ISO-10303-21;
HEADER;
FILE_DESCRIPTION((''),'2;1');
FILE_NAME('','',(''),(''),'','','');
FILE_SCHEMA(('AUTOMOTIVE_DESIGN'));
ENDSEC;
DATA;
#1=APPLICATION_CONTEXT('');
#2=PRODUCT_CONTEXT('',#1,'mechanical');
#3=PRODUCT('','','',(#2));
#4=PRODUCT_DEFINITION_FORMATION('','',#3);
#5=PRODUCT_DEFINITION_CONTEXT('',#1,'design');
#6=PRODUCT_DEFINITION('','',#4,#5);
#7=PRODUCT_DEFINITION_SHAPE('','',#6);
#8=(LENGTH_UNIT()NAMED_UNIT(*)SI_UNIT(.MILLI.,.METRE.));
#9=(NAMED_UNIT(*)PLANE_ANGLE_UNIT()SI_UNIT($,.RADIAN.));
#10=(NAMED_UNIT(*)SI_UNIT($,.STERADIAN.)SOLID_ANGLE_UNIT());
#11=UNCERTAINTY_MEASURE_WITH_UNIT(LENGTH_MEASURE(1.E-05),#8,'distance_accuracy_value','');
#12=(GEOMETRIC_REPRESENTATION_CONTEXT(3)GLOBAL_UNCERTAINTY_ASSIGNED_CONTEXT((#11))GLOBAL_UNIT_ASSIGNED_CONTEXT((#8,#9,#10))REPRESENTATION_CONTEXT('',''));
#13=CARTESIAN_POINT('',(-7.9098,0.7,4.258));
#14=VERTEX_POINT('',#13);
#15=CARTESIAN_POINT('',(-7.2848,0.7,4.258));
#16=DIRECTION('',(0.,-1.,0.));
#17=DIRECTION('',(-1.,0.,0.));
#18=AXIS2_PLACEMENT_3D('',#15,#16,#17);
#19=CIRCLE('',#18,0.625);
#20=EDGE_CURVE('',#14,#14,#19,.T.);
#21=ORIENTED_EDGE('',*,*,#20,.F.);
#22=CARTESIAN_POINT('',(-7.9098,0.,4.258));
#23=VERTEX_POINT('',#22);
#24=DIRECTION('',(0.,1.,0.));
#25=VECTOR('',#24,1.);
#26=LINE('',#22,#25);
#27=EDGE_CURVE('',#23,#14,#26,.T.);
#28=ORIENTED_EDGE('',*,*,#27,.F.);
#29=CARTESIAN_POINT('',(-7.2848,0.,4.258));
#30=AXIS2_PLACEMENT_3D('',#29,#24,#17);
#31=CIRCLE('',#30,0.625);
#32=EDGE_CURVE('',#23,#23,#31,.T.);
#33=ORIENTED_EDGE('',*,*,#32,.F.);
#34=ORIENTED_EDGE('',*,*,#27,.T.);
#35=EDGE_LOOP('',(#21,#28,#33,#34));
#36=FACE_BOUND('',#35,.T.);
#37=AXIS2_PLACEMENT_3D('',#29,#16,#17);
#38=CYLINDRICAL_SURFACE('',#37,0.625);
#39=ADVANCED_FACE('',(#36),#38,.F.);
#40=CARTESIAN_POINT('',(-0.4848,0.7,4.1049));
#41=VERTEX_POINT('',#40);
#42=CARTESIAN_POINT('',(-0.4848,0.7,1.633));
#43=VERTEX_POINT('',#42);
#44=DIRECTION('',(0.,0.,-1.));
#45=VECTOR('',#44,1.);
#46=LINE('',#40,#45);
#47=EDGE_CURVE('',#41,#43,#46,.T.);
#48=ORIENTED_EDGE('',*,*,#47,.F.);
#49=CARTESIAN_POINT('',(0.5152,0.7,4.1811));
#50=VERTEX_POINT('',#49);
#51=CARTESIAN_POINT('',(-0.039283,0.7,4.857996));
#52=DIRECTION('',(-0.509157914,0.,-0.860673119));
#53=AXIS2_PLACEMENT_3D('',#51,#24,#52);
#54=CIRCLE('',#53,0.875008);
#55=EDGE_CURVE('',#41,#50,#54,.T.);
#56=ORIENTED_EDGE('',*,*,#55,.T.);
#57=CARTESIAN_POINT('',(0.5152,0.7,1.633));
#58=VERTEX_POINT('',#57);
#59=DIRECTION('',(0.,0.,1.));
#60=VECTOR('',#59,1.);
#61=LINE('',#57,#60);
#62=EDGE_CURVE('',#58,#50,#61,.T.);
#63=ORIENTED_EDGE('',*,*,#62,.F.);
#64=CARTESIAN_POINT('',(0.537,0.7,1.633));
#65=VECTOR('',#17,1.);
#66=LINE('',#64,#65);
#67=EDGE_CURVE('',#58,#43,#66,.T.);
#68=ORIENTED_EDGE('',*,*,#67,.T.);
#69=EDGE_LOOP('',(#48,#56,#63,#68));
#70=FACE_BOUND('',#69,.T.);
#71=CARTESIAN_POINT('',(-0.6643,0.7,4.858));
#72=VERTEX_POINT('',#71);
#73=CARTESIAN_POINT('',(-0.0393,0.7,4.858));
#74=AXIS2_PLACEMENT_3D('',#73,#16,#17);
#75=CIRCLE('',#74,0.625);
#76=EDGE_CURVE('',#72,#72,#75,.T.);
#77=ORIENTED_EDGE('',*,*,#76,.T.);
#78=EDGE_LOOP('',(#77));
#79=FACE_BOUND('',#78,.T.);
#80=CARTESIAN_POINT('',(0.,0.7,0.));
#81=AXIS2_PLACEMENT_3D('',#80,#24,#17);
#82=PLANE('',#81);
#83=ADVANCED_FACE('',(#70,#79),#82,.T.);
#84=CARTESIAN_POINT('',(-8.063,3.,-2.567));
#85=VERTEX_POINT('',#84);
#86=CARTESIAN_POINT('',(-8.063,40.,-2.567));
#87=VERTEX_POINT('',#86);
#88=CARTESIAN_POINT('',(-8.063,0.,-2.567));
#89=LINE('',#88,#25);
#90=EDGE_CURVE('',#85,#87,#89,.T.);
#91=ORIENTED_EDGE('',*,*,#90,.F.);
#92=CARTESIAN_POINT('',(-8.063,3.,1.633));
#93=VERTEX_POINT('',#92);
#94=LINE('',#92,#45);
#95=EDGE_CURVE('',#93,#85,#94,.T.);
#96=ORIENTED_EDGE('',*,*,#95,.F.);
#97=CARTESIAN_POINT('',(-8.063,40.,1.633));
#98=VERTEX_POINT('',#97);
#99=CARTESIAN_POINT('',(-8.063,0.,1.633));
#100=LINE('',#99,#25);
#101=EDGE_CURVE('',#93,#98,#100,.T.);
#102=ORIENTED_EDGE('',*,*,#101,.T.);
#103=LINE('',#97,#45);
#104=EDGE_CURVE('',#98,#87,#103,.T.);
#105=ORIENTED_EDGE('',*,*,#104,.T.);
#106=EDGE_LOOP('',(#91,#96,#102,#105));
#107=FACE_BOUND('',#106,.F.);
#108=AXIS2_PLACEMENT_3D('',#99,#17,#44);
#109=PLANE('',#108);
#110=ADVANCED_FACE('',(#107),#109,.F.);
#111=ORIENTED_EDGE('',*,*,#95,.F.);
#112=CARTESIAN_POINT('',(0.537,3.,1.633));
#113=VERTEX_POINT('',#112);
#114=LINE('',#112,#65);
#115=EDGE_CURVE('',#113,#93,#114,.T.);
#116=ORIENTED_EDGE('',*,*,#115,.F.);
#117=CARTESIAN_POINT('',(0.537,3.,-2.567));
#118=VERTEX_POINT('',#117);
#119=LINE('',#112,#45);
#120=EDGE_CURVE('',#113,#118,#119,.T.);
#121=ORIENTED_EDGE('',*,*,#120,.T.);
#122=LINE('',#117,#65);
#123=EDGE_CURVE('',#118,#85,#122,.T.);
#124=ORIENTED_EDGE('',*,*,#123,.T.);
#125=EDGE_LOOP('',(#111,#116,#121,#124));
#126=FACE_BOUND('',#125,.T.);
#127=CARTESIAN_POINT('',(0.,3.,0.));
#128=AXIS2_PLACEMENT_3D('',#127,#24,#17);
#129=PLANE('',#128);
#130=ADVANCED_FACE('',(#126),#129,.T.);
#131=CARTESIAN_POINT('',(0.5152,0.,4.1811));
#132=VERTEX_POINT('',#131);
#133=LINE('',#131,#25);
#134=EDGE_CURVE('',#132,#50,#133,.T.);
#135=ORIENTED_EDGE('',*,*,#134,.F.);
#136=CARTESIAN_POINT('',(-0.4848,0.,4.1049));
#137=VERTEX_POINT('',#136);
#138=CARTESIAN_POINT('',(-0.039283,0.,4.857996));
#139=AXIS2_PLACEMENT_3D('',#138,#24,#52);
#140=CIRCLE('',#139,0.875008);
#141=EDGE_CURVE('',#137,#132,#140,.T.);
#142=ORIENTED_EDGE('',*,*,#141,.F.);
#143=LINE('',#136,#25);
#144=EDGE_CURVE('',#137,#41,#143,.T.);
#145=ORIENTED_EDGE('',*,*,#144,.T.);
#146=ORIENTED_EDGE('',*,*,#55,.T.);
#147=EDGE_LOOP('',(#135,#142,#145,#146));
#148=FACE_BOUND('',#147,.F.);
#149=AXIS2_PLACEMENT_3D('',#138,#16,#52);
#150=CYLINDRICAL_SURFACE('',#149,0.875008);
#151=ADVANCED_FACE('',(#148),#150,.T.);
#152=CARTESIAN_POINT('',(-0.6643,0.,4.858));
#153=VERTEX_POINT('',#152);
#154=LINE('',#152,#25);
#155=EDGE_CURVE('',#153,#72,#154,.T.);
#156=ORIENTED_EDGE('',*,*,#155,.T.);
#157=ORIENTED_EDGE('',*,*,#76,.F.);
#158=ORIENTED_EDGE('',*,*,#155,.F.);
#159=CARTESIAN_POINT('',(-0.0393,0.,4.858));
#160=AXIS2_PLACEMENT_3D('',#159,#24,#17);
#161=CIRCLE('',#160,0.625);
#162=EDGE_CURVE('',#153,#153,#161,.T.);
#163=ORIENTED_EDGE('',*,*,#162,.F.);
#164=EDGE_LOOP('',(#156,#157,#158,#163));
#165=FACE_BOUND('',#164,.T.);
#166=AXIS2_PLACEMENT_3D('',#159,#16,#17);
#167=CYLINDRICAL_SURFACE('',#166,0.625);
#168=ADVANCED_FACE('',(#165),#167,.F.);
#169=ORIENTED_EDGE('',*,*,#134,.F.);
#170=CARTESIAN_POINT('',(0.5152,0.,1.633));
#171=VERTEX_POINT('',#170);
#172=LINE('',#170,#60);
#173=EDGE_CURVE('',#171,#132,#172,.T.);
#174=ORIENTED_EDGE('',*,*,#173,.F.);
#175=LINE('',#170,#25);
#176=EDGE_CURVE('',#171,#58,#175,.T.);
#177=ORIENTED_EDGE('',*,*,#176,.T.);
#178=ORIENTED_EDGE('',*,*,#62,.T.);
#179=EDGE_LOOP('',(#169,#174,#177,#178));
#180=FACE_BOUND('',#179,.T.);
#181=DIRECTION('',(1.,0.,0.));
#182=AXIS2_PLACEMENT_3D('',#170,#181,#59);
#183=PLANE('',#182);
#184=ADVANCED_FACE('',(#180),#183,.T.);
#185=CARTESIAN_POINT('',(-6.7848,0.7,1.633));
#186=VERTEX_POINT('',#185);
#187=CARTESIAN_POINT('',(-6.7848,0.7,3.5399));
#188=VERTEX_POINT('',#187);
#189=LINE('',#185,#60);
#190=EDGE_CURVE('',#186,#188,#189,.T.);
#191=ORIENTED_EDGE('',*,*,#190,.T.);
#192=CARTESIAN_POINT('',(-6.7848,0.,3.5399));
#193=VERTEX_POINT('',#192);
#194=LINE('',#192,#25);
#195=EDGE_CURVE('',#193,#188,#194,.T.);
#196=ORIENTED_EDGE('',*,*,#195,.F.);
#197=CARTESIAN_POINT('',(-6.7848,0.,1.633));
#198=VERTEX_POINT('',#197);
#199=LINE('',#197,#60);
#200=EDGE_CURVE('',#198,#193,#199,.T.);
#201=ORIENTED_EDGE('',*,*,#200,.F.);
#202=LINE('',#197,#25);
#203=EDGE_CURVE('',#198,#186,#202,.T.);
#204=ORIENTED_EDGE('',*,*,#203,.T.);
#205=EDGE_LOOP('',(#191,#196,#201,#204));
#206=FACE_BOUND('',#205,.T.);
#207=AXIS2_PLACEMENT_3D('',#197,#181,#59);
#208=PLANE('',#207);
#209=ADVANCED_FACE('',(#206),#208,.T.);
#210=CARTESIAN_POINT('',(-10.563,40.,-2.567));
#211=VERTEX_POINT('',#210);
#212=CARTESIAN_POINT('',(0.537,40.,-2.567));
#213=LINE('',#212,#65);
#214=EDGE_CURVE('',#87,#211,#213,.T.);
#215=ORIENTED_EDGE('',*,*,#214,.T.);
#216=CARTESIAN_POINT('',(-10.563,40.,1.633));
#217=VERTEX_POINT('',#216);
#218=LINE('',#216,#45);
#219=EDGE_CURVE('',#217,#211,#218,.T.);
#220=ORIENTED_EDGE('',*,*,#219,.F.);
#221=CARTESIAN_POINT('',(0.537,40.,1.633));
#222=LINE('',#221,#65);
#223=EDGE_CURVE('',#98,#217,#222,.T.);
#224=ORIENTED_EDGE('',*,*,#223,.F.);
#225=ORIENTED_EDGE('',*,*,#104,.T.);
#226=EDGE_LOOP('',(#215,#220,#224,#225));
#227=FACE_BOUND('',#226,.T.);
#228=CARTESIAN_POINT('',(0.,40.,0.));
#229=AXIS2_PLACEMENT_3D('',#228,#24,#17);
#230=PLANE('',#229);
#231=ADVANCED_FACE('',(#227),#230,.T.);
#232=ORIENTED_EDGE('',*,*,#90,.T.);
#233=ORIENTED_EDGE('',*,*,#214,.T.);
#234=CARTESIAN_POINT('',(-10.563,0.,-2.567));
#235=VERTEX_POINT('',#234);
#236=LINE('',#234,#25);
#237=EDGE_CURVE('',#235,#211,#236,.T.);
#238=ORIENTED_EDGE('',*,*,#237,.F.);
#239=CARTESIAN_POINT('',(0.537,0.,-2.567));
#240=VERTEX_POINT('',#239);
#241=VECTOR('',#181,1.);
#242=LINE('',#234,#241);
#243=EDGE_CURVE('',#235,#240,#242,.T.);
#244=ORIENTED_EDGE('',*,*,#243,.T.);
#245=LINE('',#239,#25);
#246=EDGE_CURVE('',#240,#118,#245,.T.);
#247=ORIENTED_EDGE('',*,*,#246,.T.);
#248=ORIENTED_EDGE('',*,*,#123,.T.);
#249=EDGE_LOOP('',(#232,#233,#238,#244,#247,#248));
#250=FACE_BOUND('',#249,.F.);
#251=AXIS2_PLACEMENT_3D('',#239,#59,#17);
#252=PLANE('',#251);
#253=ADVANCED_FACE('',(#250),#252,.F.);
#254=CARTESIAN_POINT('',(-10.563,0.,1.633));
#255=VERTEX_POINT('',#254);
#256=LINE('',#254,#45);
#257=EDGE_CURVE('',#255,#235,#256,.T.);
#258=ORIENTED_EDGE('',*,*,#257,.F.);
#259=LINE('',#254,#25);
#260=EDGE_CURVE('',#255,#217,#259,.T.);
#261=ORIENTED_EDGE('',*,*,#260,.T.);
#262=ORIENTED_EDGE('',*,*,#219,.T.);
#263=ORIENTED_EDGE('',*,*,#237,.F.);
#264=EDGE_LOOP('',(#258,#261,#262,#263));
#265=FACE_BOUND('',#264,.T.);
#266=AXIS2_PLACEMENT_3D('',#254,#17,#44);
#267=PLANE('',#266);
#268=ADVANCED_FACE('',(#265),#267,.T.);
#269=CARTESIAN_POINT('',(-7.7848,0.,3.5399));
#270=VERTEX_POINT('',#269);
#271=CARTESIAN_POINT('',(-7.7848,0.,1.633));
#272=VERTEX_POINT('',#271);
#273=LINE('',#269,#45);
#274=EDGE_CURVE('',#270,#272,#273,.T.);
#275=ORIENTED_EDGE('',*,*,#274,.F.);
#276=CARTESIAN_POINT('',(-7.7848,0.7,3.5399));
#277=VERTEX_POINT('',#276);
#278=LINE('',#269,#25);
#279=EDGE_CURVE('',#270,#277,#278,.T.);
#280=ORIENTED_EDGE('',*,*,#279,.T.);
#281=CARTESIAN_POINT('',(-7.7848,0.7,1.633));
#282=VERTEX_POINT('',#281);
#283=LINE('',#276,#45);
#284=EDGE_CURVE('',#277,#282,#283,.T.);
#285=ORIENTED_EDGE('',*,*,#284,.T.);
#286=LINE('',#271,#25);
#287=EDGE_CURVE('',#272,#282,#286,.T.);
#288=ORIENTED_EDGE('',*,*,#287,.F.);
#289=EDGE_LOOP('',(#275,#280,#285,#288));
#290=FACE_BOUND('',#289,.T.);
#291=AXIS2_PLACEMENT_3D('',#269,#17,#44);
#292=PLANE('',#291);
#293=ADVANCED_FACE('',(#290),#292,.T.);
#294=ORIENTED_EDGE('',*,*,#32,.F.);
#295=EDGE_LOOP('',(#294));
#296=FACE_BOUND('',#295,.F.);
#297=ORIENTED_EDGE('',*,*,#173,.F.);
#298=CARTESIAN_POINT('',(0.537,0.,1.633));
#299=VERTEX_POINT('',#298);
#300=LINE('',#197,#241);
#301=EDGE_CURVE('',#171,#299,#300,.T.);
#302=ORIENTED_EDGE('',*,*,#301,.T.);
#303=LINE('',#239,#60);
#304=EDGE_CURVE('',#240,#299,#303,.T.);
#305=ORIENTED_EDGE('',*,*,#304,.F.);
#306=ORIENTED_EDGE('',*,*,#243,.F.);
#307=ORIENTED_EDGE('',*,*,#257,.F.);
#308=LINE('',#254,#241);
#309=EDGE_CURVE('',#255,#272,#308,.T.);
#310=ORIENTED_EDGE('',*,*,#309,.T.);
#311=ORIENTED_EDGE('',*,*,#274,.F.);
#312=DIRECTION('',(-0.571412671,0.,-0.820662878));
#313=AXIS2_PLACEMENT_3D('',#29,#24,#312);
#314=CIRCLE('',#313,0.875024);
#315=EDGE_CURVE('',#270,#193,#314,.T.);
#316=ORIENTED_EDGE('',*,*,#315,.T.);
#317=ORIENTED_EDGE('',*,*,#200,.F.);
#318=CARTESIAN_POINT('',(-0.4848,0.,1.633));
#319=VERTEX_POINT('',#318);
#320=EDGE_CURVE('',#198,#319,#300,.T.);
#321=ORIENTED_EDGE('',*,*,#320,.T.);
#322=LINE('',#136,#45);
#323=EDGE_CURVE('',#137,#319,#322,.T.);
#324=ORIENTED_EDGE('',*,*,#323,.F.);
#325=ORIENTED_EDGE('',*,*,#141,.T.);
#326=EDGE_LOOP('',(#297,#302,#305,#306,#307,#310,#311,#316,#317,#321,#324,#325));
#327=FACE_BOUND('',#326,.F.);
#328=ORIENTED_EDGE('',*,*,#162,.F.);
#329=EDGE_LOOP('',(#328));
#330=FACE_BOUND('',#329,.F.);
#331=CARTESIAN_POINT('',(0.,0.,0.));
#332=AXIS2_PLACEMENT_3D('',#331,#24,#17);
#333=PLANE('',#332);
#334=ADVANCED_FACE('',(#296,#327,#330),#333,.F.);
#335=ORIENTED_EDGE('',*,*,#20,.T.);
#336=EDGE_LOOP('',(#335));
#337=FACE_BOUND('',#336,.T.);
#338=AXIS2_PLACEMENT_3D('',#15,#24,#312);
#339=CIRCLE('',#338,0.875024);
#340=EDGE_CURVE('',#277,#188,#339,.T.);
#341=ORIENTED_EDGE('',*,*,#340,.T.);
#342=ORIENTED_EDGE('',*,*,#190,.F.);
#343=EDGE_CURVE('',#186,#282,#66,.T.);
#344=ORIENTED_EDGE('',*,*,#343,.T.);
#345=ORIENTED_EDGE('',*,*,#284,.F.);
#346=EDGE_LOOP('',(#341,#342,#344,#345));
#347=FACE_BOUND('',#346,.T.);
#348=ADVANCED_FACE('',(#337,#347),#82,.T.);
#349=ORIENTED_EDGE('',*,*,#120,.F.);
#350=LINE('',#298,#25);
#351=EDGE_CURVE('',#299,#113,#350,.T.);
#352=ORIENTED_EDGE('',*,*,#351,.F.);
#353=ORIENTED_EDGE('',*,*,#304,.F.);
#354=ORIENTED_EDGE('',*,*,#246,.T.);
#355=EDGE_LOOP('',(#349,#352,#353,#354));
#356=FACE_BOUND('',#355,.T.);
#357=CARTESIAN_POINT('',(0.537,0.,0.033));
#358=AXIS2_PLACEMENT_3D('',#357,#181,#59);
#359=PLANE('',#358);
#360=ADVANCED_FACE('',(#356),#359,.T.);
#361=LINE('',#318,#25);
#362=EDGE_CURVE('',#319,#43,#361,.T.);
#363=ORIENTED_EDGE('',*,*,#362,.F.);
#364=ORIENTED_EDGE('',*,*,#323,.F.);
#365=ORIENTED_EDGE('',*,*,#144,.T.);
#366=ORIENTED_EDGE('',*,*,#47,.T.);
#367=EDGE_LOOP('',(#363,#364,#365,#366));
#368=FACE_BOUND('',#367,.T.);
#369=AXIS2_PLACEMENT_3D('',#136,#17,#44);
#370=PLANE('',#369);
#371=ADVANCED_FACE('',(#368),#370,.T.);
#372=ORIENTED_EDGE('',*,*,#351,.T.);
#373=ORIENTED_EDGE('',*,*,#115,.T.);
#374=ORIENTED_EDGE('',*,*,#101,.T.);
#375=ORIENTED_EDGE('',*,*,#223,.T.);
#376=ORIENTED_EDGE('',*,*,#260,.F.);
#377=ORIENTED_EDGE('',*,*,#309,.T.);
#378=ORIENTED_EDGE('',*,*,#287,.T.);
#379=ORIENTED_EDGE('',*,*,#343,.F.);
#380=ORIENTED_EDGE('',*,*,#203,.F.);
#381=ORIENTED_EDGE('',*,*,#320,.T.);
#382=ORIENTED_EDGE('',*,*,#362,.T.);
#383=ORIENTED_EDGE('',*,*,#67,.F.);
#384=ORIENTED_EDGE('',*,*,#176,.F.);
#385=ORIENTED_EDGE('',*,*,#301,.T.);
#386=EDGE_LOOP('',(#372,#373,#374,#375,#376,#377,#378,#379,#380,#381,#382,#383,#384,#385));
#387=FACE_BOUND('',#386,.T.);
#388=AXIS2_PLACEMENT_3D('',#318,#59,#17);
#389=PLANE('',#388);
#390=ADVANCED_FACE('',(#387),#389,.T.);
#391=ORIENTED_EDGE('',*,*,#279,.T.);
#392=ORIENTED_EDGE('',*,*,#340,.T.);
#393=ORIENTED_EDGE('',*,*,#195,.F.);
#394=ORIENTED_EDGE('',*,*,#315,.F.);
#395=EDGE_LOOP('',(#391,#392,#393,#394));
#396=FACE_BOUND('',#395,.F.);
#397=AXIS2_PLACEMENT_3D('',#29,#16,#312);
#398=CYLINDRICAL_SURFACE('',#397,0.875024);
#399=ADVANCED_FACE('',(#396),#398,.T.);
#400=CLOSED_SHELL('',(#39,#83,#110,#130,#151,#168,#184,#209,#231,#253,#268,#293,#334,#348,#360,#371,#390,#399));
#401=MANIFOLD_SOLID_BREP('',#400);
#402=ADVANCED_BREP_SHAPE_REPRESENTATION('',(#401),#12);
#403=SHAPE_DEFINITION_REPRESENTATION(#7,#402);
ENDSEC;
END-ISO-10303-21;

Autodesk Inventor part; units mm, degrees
ref_plane "YZ Plane" through (0, 0, 0) normal (1, 0, 0) x (0, 1, 0)
ref_plane "XZ Plane" through (0, 0, 0) normal (0, 1, 0) x (-1, 0, 0)
ref_plane "XY Plane" through (0, 0, 0) normal (0, 0, 1) x (1, 0, 0)
sketch "Sketch1" plane through (0, 0, 0) normal (0, 1, 0) x (-1, 0, 0)
  line L0 (-0.537, 0.033) -> (-0.537, -0.967)
  line L1 (-0.537, -0.467) -> (-0.537, -2.567)
  line L2 (-0.537, -2.567) -> (10.563, -2.567)
  line L3 (-0.537, -0.967) -> (-0.537, 0.033)
  line L4 (-0.537, 1.633) -> (10.563, 1.633)
  line L5 (-0.537, -0.467) -> (-0.537, 1.633)
  line L6 (10.563, 1.633) -> (10.563, -2.567)
  line L7 (10.563, 1.633) -> (8.063, 1.633)
  line L8 (8.063, 1.633) -> (8.063, -2.567)
  line L9 (10.563, -2.567) -> (10.563, 1.633)
  line L10 (7.7848, 1.633) -> (6.7848, 1.633)
  line L11 (6.7848, 1.633) -> (6.7848, 3.5399)
  line L12 (6.7848, 3.633) -> (7.2848, 3.633)
  line L13 (7.7848, 3.5399) -> (7.7848, 1.633)
  line L14 (0.4848, 1.633) -> (-0.5152, 1.633)
  line L15 (-0.5152, 1.633) -> (-0.5152, 4.1811)
  line L16 (-0.5152, 4.233) -> (0.0393, 4.233)
  line L17 (0.4848, 4.1049) -> (0.4848, 1.633)
  circle A0 centre (7.2848, 4.258) radius 0.625
  arc A1 (7.7848, 3.5399) -> (6.7848, 3.5399) centre (7.2848, 4.258) ccw
  circle A2 centre (0.0393, 4.858) radius 0.625
  arc A3 (0.4848, 4.1049) -> (-0.5152, 4.1811) centre (0.0393, 4.858) ccw
  point P0 (1.1114, -1.7636)
  point P1 (1.1114, -2.7636)
  point P2 (-0.0152, 4.233)
  point P3 (0.0393, 4.0356)
  point P4 (6.7848, 1.633)
  point P5 (-0.5152, 1.633)
  point P6 (7.2848, 1.633)
  dimension "d13" = 1.25
  dimension "d15" = 1.25
  dimension "d4" = 11.1
  dimension "d5" = 4.2
  dimension "d6" = 2.5
  dimension "d9" = 7.3
  dimension "d11" = 1
  dimension "d12" = 1
  dimension "d14" = 1.75
  dimension "d16" = 1.75
  dimension "d17" = 0.6
  dimension "d26" = 2
extrude "Extrusion1" add sketch "Sketch1" along normal blind 0.7 contours L11 A1 L13 L4
extrude "Extrusion2" add sketch "Sketch1" along normal blind 40 contours L8 L4 L6 L2
extrude "Extrusion3" add sketch "Sketch1" along normal blind 3 contours L5 L4 L8 L2 L1 L0
extrude "Extrusion4" add sketch "Sketch1" along normal blind 0.7 contours L15 A3 L17 L4
properties part number "optrode_holder_maelle"
